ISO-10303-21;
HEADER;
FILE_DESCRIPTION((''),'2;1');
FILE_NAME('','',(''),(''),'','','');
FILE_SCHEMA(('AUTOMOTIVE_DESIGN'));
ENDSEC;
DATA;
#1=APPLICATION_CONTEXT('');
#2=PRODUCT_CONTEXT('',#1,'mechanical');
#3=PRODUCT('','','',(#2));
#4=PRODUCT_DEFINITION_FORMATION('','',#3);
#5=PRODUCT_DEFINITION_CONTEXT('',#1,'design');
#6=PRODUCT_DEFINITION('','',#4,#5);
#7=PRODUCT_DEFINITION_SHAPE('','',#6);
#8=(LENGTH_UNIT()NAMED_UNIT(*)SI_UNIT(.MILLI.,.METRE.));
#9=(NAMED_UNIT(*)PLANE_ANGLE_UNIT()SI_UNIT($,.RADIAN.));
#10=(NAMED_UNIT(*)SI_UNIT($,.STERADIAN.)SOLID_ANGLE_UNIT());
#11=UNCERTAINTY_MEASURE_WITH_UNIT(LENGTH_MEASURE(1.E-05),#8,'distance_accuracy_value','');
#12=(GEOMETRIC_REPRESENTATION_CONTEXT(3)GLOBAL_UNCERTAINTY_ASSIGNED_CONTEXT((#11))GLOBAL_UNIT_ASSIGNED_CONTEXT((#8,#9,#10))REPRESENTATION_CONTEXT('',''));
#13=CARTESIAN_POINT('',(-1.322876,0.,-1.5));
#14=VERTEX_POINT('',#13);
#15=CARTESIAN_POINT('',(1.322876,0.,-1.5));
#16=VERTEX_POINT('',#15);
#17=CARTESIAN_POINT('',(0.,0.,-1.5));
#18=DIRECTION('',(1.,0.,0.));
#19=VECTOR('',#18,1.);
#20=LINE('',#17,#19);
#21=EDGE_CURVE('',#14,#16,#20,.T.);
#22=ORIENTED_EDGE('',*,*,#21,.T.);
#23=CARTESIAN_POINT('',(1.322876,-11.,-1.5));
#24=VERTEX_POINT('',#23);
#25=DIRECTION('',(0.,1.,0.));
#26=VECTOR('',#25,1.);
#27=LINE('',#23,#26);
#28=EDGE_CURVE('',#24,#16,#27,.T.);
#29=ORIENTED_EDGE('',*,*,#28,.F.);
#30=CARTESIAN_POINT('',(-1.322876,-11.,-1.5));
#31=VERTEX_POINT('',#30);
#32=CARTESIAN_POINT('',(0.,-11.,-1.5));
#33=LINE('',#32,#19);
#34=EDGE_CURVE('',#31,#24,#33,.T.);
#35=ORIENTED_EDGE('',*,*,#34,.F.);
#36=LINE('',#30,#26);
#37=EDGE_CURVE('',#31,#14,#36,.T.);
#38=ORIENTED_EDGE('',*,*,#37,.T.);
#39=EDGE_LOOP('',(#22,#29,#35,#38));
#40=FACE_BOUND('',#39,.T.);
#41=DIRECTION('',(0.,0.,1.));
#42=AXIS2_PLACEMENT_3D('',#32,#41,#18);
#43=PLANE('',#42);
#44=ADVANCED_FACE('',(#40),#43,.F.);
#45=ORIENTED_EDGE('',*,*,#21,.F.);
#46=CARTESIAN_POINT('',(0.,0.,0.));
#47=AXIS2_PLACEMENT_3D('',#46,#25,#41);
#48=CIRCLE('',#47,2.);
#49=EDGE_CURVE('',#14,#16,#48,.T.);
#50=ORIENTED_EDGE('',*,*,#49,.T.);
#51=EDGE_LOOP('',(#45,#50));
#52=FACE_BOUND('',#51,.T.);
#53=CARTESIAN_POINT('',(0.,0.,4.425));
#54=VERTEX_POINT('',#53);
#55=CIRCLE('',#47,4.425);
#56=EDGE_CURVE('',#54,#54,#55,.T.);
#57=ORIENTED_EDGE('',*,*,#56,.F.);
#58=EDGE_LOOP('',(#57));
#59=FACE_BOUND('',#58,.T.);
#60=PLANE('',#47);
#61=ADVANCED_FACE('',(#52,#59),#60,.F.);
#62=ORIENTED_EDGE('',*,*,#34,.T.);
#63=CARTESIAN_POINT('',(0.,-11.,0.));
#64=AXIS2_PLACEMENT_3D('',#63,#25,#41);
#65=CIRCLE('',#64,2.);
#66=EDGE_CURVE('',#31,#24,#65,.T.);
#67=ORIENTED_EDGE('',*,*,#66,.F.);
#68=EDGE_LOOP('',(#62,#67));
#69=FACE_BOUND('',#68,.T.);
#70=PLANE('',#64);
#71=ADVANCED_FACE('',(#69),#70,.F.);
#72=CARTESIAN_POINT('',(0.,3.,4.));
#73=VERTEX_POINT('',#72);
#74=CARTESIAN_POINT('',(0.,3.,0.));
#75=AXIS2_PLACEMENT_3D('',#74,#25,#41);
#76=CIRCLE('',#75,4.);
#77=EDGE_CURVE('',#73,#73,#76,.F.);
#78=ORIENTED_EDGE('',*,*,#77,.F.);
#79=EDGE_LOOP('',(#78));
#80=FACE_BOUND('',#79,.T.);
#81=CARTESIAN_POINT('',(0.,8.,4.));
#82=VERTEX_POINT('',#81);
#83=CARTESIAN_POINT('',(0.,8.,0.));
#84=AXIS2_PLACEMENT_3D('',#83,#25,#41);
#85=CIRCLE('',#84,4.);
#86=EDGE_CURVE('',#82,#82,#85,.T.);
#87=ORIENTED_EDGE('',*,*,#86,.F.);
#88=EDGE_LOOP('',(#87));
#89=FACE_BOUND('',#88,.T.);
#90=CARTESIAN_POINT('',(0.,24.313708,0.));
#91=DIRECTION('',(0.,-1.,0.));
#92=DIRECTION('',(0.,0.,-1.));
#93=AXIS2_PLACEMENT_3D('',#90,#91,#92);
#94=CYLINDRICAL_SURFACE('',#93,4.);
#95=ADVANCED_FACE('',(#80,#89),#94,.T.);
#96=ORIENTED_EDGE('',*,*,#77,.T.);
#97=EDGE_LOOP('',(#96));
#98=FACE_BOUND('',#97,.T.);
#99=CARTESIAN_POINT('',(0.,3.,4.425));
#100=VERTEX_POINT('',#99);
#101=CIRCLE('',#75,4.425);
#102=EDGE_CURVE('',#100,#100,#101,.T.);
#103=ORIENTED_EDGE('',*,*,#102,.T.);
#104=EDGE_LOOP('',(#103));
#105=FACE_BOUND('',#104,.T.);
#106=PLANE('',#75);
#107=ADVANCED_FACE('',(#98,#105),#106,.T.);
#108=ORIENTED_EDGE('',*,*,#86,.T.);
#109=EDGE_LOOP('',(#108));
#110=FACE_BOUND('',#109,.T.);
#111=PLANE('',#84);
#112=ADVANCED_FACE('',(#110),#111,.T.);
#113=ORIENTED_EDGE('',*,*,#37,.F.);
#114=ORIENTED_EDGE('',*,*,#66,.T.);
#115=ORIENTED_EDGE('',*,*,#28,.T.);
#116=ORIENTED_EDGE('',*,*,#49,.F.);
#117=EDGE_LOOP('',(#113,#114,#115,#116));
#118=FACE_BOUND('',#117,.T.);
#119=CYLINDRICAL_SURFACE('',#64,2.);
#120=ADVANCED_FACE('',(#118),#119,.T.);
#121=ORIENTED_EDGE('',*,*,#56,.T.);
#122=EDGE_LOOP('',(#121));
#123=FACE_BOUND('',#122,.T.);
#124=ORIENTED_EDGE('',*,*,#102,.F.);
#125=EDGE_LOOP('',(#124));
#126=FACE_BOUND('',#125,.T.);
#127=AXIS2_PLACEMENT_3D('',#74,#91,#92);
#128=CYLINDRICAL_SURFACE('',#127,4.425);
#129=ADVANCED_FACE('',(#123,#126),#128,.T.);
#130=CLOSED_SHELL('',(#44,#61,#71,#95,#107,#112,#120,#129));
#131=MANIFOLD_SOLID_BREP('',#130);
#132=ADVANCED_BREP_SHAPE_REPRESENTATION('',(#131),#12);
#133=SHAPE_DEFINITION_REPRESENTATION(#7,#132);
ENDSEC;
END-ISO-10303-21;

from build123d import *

# Parameters (mm, degrees)
SKETCH1_R           = 4.425
SKETCH1_R_2         = 2
SKETCH1_R_3         = 4
BOSS_EXTRUDE1_DEPTH = 3
SKETCH1_3_R         = 4
SKETCH1_3_R_2       = 2
BOSS_EXTRUDE2_DEPTH = 8
BOSS_EXTRUDE3_DEPTH = 11


with BuildPart() as part:
    # Sketch1 → Boss-Extrude1 (new body)
    with BuildSketch(Plane(origin=(0, 0, 0), x_dir=(1, 0, 0), z_dir=(0, 1, 0))):
        with BuildLine():
            ThreePointArc((1.322875656, 1.5), (0, 2), (-1.322875656, 1.5))
            Line((-1.322875656, 1.5), (1.322875656, 1.5))
        make_face()
        with BuildLine():
            Line((1.322875656, 1.5), (-1.322875656, 1.5))
            ThreePointArc((-1.322875656, 1.5), (-0.822875656, -1.822875656), (2, 0))
            ThreePointArc((2, 0), (1.822875656, 0.822875656), (1.322875656, 1.5))
        make_face()
        Circle(SKETCH1_R)
        Circle(SKETCH1_R_2, mode=Mode.SUBTRACT)
        Circle(SKETCH1_R)
        Circle(SKETCH1_R_3, mode=Mode.SUBTRACT)
    extrude(amount=BOSS_EXTRUDE1_DEPTH)

    # Sketch1<3> → Boss-Extrude2 (add)
    with BuildSketch(Plane(origin=(0, 0, 0), x_dir=(1, 0, 0), z_dir=(0, 1, 0))):
        Circle(SKETCH1_3_R)
        Circle(SKETCH1_3_R_2, mode=Mode.SUBTRACT)
        with BuildLine():
            ThreePointArc((1.322875656, 1.5), (0, 2), (-1.322875656, 1.5))
            Line((-1.322875656, 1.5), (1.322875656, 1.5))
        make_face()
        with BuildLine():
            Line((1.322875656, 1.5), (-1.322875656, 1.5))
            ThreePointArc((-1.322875656, 1.5), (-0.822875656, -1.822875656), (2, 0))
            ThreePointArc((2, 0), (1.822875656, 0.822875656), (1.322875656, 1.5))
        make_face()
    extrude(amount=BOSS_EXTRUDE2_DEPTH)

    # Sketch1<4> → Boss-Extrude3 (add)
    with BuildSketch(Plane(origin=(0, 0, 0), x_dir=(1, 0, 0), z_dir=(0, 1, 0))):
        with BuildLine():
            Line((1.322875656, 1.5), (-1.322875656, 1.5))
            ThreePointArc((-1.322875656, 1.5), (-0.822875656, -1.822875656), (2, 0))
            ThreePointArc((2, 0), (1.822875656, 0.822875656), (1.322875656, 1.5))
        make_face()
    extrude(amount=-BOSS_EXTRUDE3_DEPTH)


solid = part.part
